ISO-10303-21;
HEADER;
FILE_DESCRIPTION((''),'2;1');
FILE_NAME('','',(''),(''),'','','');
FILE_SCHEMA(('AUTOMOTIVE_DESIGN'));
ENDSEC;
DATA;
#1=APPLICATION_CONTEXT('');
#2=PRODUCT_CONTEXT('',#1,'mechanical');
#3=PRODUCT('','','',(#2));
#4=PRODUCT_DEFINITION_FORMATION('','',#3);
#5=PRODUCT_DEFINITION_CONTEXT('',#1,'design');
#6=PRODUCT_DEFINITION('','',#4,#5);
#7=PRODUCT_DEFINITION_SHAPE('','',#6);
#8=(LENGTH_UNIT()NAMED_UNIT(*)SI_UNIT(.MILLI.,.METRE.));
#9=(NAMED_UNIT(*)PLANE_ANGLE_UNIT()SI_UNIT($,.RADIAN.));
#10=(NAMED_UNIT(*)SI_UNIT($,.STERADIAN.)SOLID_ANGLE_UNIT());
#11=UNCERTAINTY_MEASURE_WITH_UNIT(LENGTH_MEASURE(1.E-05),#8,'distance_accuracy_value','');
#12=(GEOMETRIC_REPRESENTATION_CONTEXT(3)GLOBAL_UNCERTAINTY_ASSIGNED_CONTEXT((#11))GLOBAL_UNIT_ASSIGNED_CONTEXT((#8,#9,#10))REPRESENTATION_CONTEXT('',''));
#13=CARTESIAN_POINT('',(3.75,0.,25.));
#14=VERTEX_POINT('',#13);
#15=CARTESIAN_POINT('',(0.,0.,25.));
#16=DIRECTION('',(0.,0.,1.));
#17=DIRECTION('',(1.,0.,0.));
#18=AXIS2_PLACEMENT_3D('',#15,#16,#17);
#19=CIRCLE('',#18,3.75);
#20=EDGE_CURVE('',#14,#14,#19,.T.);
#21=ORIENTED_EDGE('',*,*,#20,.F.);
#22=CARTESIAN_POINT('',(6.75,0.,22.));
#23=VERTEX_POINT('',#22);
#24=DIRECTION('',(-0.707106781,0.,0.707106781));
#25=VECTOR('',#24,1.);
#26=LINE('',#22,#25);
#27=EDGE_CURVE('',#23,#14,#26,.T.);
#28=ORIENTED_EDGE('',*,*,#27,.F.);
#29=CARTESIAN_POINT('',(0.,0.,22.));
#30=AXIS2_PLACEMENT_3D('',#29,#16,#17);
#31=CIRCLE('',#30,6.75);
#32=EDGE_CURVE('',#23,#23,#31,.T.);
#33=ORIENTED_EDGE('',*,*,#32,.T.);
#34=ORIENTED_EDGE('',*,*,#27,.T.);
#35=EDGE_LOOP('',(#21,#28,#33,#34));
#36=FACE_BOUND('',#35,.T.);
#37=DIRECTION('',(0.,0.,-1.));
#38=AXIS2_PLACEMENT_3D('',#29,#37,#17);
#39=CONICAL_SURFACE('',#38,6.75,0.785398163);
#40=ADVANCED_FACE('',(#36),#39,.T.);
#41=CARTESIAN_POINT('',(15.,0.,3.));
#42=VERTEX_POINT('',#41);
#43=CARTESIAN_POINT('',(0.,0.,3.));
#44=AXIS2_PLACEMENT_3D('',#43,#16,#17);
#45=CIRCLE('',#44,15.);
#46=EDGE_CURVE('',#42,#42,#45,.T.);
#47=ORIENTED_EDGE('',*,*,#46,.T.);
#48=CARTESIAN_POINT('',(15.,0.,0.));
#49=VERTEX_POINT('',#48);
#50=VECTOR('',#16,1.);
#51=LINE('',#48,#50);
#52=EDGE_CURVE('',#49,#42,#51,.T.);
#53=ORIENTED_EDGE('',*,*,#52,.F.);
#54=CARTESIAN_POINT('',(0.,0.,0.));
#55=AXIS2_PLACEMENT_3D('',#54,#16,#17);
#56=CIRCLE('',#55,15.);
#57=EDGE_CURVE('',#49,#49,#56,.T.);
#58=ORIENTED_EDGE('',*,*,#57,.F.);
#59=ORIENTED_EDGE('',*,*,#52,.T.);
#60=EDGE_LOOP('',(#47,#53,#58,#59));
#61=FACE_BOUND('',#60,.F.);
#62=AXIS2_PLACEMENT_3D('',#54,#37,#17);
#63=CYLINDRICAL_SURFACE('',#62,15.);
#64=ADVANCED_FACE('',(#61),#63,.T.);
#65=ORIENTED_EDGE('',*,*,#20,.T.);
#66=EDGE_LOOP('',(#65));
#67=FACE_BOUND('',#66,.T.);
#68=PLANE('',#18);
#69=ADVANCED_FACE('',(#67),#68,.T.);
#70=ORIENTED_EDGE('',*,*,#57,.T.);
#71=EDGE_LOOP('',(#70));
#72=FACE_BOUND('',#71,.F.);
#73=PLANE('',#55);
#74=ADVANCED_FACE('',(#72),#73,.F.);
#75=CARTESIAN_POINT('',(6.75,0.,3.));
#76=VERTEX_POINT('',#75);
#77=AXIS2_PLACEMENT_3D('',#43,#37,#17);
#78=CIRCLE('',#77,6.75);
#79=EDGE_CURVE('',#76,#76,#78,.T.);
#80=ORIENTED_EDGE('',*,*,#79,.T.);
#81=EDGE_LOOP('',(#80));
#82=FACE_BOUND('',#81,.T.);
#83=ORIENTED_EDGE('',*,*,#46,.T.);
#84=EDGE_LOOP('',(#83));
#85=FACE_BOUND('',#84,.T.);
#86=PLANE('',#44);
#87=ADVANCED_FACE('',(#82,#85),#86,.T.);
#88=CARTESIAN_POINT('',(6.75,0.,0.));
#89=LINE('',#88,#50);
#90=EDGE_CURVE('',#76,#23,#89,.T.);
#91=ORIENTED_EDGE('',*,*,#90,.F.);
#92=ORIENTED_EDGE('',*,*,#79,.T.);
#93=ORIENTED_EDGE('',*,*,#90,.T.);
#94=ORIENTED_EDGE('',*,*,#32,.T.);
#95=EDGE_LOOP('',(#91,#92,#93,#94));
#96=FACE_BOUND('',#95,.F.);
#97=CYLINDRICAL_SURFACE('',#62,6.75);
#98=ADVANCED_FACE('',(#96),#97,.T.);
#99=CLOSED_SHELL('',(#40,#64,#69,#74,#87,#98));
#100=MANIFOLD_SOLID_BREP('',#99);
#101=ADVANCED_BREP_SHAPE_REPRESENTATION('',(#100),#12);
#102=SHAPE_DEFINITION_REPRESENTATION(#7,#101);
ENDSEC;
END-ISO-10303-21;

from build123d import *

# Parameters (mm, degrees)
SKETCH_R     = 6.75
PAD_DEPTH    = 25
SKETCH001_R  = 15
PAD001_DEPTH = 3
CHAMFER_SIZE = 3


with BuildPart() as part:
    # Sketch → Pad (new body)
    with BuildSketch(Plane.XY):
        Circle(SKETCH_R)
    extrude(amount=PAD_DEPTH)

    # Sketch001 → Pad001 (join)
    with BuildSketch(Plane.XY):
        Circle(SKETCH001_R)
    extrude(amount=PAD001_DEPTH)

    # Chamfer
    chamfer_edges = [part.edges().sort_by_distance(p)[0] for p in [
        (-6.75, 0, 25),
    ]]
    chamfer(chamfer_edges, length=CHAMFER_SIZE)


solid = part.part
